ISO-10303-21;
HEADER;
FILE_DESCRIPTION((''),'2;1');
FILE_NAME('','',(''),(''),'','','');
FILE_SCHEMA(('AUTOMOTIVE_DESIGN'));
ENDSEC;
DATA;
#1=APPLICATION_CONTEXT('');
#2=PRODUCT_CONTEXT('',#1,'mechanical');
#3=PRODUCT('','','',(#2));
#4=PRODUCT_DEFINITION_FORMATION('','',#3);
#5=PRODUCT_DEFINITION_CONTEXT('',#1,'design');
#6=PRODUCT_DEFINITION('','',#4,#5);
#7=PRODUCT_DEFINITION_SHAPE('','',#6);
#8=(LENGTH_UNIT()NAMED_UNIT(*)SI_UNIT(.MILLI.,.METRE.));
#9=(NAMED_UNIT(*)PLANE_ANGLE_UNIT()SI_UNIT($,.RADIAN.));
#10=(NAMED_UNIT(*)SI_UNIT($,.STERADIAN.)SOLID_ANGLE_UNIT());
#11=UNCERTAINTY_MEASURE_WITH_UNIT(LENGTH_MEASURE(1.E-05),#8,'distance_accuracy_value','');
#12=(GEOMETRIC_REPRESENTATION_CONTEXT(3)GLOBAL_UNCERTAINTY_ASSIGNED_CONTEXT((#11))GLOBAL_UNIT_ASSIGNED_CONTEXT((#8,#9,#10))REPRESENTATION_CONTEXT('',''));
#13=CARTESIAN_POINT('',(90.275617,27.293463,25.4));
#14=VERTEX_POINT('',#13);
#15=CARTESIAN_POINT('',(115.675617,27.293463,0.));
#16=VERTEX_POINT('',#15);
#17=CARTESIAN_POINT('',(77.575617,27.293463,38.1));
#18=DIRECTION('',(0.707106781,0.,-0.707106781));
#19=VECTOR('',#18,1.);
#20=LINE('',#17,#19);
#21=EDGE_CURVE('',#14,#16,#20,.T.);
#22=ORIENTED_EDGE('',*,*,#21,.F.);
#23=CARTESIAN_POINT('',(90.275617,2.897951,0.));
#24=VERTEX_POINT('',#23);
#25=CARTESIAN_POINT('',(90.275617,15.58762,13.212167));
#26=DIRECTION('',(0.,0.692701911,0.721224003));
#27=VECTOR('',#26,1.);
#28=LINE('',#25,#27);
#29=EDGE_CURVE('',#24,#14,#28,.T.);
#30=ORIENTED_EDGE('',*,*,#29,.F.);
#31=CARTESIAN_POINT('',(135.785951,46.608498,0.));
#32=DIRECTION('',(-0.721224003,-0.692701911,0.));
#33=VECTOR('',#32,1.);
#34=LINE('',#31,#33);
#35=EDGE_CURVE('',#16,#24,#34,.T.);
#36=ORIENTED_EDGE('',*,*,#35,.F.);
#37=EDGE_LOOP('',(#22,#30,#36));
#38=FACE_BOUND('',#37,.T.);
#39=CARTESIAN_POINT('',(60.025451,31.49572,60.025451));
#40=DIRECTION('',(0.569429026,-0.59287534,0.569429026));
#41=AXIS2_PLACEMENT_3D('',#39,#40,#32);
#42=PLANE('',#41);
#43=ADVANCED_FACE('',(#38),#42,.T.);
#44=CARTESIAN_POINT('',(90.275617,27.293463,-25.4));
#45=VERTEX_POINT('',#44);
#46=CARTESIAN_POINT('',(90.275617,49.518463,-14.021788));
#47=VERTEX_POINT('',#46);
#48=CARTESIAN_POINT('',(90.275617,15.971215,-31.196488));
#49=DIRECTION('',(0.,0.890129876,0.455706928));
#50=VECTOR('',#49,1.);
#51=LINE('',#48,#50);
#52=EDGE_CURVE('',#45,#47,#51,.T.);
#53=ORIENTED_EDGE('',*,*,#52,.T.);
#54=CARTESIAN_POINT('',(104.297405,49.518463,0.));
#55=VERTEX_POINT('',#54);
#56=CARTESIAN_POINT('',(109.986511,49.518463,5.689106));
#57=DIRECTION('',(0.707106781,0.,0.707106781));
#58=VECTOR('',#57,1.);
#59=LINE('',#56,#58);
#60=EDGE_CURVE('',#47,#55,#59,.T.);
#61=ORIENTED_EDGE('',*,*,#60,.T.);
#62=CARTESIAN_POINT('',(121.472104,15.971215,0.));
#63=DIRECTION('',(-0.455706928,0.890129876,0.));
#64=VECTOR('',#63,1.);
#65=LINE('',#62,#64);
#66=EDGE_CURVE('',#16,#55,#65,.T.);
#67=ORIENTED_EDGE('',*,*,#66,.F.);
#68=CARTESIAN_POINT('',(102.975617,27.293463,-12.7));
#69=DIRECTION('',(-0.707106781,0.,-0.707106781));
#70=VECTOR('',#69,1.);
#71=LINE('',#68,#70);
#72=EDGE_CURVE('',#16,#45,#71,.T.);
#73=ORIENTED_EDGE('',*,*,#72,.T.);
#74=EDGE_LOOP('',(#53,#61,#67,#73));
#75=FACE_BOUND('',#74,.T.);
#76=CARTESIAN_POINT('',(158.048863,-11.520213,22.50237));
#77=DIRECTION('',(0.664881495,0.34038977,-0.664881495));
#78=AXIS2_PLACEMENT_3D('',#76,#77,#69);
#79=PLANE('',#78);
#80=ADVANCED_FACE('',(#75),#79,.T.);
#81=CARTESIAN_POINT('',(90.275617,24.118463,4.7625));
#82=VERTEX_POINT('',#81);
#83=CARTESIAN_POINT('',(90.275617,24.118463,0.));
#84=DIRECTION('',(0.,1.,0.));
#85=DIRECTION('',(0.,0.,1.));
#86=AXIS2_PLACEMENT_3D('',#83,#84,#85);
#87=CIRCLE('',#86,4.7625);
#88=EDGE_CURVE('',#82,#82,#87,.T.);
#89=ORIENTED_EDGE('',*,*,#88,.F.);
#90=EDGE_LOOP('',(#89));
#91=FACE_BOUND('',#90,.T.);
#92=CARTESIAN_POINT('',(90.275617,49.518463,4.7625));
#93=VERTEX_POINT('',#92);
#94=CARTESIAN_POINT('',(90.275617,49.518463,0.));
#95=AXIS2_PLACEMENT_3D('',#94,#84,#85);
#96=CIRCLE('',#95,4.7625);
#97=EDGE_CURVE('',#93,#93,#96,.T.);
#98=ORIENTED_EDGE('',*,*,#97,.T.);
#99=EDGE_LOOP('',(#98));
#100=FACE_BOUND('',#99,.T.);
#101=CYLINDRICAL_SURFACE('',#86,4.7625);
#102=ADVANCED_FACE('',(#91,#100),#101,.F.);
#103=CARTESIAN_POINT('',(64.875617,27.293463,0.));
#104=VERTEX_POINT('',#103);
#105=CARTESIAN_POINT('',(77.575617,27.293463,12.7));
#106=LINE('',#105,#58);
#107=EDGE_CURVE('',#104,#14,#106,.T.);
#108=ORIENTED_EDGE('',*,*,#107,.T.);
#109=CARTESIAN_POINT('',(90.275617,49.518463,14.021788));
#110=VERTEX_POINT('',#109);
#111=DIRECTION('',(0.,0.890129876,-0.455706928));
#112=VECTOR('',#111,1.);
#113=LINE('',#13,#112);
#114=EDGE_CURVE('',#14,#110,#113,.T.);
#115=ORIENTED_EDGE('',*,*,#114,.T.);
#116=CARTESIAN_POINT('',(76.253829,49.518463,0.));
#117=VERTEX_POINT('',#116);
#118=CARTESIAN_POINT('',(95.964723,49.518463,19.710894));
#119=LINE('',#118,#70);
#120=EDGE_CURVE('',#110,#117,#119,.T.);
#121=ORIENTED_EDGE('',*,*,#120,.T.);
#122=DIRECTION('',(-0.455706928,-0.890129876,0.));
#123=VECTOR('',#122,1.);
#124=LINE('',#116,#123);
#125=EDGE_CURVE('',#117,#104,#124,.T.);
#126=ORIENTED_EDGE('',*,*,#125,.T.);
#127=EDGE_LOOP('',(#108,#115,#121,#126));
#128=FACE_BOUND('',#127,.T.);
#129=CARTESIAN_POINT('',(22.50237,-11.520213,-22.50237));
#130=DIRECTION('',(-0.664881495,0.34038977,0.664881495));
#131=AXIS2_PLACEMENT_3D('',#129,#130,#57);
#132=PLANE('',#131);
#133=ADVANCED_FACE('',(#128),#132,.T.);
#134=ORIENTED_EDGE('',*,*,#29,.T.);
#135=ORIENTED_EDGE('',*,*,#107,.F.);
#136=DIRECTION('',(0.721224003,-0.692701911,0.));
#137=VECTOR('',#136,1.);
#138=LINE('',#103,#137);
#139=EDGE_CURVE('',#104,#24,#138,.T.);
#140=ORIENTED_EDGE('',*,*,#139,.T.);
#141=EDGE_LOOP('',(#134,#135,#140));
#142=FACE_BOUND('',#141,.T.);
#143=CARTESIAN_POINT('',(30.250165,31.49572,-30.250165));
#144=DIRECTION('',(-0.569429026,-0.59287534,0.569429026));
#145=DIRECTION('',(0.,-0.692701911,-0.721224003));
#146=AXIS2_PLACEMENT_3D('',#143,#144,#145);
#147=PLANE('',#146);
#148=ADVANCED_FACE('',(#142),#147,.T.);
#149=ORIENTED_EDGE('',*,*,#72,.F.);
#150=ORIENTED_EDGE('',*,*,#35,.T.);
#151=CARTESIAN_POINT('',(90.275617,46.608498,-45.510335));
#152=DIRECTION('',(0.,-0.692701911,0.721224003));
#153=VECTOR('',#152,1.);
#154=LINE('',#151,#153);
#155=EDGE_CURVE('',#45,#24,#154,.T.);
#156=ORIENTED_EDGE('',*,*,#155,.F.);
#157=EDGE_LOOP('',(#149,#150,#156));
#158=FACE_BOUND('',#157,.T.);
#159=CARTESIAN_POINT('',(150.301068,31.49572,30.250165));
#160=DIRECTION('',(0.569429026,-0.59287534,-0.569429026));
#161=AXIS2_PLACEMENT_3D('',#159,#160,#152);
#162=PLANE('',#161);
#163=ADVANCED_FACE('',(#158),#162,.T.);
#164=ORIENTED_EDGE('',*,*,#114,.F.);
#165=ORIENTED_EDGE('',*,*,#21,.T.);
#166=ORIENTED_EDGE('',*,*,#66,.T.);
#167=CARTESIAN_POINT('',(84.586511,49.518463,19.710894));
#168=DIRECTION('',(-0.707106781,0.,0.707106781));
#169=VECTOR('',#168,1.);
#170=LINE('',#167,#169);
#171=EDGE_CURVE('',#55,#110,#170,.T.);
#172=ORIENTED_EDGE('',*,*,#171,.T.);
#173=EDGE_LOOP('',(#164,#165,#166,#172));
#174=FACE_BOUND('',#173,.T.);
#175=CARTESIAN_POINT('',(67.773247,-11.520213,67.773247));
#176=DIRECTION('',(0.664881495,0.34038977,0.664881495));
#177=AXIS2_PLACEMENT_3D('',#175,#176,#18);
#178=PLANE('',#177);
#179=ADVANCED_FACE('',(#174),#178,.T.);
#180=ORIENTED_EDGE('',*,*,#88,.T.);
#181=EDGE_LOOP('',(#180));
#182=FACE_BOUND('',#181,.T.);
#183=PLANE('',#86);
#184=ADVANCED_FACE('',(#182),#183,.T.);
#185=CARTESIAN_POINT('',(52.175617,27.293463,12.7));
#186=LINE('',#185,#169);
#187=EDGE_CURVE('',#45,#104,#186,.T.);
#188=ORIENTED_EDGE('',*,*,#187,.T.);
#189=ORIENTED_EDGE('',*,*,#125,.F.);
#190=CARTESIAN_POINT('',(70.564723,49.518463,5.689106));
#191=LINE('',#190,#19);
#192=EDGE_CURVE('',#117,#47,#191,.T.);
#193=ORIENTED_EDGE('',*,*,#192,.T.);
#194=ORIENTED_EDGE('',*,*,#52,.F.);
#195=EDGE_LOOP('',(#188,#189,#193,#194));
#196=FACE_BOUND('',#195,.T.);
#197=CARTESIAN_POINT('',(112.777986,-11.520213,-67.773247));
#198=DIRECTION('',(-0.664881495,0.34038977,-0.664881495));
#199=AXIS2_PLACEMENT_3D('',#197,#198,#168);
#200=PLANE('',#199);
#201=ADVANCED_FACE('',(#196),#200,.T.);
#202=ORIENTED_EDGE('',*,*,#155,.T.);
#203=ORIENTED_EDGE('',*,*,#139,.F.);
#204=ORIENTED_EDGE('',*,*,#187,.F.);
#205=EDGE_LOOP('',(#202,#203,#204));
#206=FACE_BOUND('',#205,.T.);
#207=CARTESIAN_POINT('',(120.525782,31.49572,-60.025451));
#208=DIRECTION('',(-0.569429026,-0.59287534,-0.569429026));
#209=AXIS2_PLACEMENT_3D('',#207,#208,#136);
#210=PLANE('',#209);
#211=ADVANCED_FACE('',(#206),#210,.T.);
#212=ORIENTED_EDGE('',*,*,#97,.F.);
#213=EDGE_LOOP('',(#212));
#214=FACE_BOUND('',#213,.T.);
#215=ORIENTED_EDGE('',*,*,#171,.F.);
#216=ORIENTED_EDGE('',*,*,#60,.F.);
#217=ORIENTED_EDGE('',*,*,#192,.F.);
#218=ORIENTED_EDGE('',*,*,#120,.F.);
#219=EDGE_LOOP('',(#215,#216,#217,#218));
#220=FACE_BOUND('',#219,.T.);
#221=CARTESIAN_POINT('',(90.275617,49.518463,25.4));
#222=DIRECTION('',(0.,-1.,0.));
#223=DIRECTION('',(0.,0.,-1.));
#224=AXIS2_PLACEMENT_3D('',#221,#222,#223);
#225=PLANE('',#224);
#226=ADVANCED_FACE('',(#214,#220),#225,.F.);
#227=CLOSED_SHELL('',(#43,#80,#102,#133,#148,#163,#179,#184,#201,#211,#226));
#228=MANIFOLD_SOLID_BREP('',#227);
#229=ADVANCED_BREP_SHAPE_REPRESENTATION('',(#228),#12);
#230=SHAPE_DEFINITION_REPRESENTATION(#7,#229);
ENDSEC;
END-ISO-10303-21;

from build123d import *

# Parameters (mm, degrees)
BOSS_EXTRUDE1_DEPTH = 25.4
SKETCH2_W           = 48.842738796
SKETCH2_H           = 57.963308492
CUT_EXTRUDE1_DEPTH  = 25.4
CIRPATTERN1_COUNT   = 4
BOSS_EXTRUDE2_DEPTH = 25.4
SKETCH4_W           = 55.511744094
SKETCH4_H           = 37.462262811
CUT_EXTRUDE2_DEPTH  = 25.4
CIRPATTERN2_COUNT   = 4
SKETCH5_R           = 4.7625
CUT_EXTRUDE3_DEPTH  = 25.4


with BuildPart() as part:
    # Sketch1 → Boss-Extrude1 (new body)
    with BuildSketch(Plane.XY):
        Polygon((64.875616583, 27.293462823), (90.275616583, 27.293462823), (90.275616583, 49.518462823), (76.253828643, 49.518462823), align=None)
    boss_extrude1 = extrude(amount=BOSS_EXTRUDE1_DEPTH)

    # Sketch2 → Cut-Extrude1 (cut)
    with BuildSketch(Plane(origin=(22.502369916, -11.520213127, -22.502369916), x_dir=(0.7469488589136901, 0.3029911037986301, 0.5918308822513607), z_dir=(-0.664881494830121, 0.3403897702119252, 0.6648814948301214))):
        with Locations((74.048071209, 28.981654246)):
            Rectangle(SKETCH2_W, SKETCH2_H)
    cut_extrude1 = extrude(amount=CUT_EXTRUDE1_DEPTH, mode=Mode.SUBTRACT)

    # CirPattern1: Boss-Extrude1, Cut-Extrude1 ×4 about axis
    cirpattern1_axis = Axis((90.275616583, 0, 0), (0, 1, 0))
    add([boss_extrude1.rotate(cirpattern1_axis, i * 360 / CIRPATTERN1_COUNT) for i in range(1, CIRPATTERN1_COUNT)])
    add([cut_extrude1.rotate(cirpattern1_axis, i * 360 / CIRPATTERN1_COUNT) for i in range(1, CIRPATTERN1_COUNT)], mode=Mode.SUBTRACT)

    # Sketch3 → Boss-Extrude2 (add)
    with BuildSketch(Plane.XY):
        Polygon((90.275616583, 27.293462823), (64.875616583, 27.293462823), (90.275616583, 2.897951184), align=None)
    boss_extrude2 = extrude(amount=BOSS_EXTRUDE2_DEPTH)

    # Sketch4 → Cut-Extrude2 (cut)
    with BuildSketch(Plane(origin=(30.250165476, 31.49571997, -30.250165476), x_dir=(0.822040500476201, -0.41068588128331385, 0.3944445746760687), z_dir=(0.5694290259346084, 0.5928753400558371, -0.56942902593461))):
        with Locations((65.735556872, -20.321660951)):
            Rectangle(SKETCH4_W, SKETCH4_H)
    cut_extrude2 = extrude(amount=-CUT_EXTRUDE2_DEPTH, mode=Mode.SUBTRACT)

    # CirPattern2: Boss-Extrude2, Cut-Extrude2 ×4 about axis
    cirpattern2_axis = Axis((90.275616583, 0, 0), (0, 1, 0))
    add([boss_extrude2.rotate(cirpattern2_axis, i * 360 / CIRPATTERN2_COUNT) for i in range(1, CIRPATTERN2_COUNT)])
    add([cut_extrude2.rotate(cirpattern2_axis, i * 360 / CIRPATTERN2_COUNT) for i in range(1, CIRPATTERN2_COUNT)], mode=Mode.SUBTRACT)

    # Sketch5 → Cut-Extrude3 (cut)
    with BuildSketch(Plane(origin=(0, 49.518462823, 0), x_dir=(1, 0, 0), z_dir=(0, 1, 0))):
        with Locations(Location((90.275616583, 0, 0), (0, 0, 270))):
            Circle(SKETCH5_R)
    extrude(amount=-CUT_EXTRUDE3_DEPTH, mode=Mode.SUBTRACT)


solid = part.part
